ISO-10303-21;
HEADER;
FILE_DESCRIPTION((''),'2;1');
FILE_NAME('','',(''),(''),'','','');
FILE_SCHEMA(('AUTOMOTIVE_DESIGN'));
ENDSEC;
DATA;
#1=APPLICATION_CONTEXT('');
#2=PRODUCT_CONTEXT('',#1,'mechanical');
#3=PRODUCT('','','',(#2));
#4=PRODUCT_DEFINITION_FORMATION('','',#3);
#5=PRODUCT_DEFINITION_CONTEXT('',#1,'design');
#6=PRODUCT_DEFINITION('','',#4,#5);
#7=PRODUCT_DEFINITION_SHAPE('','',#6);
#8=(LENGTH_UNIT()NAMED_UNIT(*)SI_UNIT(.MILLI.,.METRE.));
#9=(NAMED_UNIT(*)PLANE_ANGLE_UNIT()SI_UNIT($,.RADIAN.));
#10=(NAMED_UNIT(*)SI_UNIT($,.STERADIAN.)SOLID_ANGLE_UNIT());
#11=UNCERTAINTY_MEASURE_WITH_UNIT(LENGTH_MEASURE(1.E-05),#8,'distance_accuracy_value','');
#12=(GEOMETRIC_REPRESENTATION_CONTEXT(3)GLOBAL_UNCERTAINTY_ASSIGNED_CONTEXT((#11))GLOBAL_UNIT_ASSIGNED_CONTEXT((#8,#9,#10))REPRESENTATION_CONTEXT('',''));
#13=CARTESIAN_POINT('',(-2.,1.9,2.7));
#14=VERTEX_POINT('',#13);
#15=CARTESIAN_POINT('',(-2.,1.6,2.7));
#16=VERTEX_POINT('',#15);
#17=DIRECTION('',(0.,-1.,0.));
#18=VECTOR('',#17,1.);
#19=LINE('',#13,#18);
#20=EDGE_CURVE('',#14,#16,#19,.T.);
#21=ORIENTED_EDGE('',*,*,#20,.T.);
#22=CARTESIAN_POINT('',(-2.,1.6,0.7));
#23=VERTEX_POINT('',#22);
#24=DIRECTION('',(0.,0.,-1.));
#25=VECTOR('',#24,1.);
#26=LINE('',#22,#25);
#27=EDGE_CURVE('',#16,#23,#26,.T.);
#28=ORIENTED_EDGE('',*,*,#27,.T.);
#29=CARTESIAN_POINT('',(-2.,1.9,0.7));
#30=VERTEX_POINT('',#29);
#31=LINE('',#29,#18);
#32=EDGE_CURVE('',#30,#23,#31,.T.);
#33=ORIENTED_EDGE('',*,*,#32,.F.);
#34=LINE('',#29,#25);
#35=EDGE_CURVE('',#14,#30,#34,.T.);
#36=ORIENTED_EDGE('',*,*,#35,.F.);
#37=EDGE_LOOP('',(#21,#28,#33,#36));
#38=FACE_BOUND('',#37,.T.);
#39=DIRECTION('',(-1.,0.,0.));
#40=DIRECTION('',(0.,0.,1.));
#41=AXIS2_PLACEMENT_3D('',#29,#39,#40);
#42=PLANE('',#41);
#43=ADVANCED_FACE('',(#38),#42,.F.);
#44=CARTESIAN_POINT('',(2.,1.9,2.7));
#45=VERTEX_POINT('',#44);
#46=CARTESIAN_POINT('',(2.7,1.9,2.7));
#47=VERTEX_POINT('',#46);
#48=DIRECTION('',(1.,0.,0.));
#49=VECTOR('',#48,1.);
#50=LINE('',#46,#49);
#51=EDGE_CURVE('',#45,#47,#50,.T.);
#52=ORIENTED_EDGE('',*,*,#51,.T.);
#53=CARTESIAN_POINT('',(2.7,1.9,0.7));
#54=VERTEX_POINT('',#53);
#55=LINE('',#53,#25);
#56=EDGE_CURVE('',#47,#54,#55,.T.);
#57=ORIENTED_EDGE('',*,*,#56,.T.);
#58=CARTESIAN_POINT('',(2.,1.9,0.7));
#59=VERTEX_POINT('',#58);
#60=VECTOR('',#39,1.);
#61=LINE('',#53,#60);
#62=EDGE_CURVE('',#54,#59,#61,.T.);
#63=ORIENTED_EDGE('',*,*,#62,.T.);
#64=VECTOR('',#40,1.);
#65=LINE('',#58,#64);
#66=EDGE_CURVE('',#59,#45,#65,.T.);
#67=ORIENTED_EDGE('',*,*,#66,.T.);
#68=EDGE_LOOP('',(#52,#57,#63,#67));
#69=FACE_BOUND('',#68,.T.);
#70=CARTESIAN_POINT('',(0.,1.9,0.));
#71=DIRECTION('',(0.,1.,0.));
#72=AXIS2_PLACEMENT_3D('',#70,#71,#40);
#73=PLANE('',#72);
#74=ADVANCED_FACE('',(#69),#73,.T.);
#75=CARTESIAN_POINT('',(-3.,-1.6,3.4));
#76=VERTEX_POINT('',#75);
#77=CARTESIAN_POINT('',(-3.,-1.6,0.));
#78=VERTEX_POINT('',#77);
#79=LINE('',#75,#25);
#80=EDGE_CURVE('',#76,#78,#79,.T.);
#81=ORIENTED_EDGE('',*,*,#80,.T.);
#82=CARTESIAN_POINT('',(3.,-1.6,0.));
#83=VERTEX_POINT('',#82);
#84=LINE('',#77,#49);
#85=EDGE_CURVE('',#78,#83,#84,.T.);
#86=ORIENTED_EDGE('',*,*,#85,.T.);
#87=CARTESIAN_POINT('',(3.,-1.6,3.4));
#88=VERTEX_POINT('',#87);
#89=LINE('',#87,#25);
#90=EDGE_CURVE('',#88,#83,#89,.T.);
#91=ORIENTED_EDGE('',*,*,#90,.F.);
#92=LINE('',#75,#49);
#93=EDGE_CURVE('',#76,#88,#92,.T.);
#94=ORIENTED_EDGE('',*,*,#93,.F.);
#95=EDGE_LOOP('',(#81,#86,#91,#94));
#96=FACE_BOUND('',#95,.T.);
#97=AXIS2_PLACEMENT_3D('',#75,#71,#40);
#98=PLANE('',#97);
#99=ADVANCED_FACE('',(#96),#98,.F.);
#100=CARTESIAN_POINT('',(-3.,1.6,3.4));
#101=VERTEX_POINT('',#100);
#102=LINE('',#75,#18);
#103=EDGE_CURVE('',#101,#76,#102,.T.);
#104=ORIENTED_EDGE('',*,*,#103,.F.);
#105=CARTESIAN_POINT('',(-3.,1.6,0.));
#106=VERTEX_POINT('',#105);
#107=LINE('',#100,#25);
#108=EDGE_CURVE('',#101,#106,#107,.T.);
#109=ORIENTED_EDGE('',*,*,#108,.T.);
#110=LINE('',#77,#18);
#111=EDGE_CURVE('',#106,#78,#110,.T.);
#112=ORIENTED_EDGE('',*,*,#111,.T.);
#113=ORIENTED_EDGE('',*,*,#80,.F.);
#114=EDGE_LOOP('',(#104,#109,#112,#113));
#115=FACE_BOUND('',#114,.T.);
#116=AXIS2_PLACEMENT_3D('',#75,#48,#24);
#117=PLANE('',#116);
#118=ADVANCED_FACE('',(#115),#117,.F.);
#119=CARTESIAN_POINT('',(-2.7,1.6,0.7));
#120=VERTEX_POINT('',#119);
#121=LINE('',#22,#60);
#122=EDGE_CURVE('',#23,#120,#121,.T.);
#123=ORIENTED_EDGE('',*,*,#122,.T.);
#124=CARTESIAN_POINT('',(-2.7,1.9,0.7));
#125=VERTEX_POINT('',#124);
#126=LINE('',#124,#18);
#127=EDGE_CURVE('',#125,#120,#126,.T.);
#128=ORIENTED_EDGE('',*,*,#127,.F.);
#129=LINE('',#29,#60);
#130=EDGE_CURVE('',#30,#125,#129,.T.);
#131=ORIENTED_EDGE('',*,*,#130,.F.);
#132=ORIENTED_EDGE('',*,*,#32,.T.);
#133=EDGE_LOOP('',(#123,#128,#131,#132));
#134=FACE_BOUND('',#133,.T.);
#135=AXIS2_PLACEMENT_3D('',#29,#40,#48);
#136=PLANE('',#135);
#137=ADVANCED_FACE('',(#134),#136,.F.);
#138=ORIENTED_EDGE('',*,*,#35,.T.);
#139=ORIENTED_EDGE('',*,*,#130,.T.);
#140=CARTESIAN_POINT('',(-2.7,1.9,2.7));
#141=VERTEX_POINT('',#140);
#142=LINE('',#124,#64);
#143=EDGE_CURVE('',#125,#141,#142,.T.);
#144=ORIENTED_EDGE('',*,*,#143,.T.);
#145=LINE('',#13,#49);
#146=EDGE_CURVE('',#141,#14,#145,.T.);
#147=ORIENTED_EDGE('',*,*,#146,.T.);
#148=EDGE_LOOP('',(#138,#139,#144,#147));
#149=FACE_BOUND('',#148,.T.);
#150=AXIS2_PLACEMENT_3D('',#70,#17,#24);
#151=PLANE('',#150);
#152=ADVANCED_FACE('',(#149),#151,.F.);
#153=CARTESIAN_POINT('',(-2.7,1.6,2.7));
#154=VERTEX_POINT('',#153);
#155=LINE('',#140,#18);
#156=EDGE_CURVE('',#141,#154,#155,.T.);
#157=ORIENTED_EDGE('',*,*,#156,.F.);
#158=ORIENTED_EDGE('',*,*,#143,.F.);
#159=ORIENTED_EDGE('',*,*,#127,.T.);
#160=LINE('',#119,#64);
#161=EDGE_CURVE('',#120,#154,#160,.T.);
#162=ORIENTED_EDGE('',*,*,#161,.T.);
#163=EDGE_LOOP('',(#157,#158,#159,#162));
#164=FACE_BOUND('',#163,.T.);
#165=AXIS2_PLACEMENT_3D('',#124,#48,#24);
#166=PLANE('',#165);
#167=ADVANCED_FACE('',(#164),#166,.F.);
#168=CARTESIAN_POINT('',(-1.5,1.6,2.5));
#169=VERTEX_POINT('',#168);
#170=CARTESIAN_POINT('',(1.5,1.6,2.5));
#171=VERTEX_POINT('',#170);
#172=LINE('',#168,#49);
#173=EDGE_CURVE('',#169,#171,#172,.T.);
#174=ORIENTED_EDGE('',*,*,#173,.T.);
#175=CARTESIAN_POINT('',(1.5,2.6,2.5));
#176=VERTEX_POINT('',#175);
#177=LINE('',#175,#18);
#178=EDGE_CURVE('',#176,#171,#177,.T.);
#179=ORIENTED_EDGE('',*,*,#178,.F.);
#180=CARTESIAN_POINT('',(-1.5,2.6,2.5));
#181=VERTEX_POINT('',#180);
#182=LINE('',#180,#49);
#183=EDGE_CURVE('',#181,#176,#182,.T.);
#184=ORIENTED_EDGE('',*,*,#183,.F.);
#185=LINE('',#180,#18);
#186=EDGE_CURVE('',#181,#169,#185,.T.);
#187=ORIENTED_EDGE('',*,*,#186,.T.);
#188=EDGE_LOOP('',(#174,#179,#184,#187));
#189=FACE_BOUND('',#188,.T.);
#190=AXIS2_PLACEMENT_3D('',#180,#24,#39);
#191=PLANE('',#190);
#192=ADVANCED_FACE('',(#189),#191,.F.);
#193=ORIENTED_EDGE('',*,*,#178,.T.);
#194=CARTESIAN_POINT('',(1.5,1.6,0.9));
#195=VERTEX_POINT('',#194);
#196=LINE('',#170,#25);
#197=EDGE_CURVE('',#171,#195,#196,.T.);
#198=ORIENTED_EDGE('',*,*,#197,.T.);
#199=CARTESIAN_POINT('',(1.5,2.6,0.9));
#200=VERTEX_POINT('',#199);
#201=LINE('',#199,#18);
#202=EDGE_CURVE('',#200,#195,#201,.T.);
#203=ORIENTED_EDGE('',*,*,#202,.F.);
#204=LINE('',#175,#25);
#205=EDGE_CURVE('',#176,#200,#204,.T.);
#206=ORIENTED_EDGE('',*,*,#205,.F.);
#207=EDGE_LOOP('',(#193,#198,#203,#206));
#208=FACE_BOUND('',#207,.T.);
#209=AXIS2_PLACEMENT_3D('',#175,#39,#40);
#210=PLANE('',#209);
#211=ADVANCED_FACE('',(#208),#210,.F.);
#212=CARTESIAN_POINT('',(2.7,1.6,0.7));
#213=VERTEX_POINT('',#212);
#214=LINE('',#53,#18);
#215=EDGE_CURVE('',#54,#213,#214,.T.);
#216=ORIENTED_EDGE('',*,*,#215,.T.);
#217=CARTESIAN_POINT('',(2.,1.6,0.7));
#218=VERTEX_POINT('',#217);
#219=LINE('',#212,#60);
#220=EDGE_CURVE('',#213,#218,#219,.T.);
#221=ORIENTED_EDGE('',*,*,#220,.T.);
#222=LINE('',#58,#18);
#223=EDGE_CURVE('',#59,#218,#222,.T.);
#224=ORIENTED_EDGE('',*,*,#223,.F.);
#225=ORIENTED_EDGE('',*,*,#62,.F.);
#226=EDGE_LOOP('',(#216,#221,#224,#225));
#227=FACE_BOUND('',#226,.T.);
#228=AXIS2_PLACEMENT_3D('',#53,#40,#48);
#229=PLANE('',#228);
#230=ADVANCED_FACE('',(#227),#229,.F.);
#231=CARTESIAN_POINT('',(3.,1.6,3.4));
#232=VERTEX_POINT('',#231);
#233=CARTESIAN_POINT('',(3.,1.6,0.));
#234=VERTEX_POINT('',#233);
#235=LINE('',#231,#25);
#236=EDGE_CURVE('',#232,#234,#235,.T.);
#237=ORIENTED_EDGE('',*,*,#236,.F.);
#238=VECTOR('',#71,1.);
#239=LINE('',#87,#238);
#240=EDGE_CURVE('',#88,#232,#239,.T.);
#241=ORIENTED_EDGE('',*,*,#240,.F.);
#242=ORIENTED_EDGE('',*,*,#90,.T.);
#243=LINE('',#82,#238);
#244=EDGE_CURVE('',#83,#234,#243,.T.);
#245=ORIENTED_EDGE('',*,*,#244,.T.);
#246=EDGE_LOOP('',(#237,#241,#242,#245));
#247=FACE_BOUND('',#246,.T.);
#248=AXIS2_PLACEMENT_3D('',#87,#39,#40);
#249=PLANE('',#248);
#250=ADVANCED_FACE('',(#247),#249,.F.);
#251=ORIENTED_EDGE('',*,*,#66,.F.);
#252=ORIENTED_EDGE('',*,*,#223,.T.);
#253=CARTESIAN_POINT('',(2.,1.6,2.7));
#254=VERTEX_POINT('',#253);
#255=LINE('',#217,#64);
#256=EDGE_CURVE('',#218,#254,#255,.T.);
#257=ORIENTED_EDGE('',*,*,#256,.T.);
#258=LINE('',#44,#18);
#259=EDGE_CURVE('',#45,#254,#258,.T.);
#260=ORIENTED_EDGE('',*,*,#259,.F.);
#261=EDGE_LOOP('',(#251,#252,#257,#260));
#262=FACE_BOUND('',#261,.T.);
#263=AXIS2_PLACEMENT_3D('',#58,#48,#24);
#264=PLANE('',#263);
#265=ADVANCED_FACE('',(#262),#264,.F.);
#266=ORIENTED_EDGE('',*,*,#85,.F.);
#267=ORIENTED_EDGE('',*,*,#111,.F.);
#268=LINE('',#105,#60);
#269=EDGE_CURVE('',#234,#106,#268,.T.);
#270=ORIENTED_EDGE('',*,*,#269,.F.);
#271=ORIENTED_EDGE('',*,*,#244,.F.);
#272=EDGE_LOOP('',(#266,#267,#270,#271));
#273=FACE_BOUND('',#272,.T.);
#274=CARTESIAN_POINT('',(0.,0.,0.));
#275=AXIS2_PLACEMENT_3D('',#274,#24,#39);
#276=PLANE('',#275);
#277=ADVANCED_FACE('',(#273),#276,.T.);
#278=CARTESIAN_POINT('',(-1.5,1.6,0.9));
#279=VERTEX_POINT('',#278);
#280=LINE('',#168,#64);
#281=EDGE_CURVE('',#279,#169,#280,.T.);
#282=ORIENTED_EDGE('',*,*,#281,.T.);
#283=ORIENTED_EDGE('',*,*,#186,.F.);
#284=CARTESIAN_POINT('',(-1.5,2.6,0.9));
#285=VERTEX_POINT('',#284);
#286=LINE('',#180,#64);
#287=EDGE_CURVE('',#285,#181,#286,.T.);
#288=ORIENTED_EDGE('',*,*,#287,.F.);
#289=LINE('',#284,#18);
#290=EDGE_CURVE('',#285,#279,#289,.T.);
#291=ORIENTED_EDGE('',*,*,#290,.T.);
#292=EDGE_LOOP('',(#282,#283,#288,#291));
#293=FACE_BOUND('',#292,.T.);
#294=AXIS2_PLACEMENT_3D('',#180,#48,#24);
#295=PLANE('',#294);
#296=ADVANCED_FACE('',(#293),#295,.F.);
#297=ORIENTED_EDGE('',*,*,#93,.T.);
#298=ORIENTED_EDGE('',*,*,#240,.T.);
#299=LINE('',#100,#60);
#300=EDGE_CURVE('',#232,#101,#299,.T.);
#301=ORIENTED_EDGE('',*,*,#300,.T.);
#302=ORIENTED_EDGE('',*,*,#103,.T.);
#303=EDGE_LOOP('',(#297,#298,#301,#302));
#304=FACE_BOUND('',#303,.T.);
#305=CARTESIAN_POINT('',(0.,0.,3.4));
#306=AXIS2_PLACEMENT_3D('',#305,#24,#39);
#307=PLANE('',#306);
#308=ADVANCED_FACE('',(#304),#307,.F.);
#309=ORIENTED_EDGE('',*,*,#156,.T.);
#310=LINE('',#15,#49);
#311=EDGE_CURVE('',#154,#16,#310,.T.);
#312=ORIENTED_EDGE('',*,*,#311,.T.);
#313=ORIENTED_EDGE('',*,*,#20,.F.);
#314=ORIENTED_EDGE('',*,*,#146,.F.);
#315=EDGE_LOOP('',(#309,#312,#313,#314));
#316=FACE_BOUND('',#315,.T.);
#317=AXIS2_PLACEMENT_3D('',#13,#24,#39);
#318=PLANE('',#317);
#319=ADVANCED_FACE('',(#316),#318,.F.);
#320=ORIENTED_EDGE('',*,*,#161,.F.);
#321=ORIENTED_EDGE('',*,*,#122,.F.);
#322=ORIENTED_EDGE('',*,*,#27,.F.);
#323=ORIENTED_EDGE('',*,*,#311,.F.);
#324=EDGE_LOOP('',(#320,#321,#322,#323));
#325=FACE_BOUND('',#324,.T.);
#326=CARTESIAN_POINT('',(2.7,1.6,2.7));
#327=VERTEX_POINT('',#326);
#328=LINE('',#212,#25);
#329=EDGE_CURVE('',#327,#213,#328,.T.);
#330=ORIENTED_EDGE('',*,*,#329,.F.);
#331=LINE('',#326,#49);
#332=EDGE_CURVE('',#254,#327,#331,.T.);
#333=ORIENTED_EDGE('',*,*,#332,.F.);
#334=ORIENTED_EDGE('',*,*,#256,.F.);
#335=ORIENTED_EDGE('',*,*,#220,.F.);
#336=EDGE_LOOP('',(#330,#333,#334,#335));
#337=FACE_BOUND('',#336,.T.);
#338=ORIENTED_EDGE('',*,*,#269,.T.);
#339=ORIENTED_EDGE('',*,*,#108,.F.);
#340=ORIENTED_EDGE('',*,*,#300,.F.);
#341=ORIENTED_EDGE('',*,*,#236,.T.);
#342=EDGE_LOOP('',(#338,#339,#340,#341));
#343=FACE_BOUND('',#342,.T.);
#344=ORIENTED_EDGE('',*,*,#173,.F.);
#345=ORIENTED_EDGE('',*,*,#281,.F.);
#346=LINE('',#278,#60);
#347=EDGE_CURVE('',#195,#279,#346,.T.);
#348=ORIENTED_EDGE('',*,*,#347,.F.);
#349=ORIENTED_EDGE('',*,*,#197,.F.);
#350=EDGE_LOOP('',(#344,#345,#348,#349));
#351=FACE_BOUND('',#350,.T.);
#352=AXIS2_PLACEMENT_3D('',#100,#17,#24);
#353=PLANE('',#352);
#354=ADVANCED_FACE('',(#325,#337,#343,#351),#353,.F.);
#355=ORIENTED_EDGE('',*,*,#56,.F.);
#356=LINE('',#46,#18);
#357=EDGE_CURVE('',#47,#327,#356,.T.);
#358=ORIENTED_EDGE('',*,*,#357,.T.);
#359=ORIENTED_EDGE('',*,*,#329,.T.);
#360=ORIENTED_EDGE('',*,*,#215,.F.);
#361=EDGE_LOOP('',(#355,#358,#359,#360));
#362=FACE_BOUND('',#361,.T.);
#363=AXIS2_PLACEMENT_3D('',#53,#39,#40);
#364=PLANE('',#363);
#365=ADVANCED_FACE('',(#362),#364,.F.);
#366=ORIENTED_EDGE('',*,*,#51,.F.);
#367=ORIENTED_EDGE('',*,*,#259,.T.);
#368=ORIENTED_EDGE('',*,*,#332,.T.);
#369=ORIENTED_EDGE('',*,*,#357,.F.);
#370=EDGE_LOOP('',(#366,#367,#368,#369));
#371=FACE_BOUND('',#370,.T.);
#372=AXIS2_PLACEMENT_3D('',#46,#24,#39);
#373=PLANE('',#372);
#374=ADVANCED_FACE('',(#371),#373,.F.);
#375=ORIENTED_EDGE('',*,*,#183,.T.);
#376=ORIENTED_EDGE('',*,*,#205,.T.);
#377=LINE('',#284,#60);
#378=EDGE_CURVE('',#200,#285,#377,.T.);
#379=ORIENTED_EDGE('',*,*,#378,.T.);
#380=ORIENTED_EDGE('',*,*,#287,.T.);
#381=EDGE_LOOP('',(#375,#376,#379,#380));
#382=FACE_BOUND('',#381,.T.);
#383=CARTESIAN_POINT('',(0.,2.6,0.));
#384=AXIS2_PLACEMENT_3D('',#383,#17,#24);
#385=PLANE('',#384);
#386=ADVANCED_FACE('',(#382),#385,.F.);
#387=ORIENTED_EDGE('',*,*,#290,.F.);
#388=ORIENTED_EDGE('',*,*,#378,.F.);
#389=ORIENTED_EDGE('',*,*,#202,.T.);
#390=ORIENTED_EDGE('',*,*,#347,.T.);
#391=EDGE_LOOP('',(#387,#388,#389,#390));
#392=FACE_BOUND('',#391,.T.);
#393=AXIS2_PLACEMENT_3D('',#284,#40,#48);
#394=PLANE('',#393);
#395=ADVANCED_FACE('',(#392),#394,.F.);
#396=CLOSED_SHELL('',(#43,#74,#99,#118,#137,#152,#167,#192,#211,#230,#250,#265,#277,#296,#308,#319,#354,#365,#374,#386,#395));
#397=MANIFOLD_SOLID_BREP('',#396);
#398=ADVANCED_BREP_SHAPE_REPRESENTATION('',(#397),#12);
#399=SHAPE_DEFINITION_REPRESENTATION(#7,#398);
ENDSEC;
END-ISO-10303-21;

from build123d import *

# Parameters (mm, degrees)
SKICA1_W                = 6
SKICA1_H                = 3.2
P_IDAT_VYSUNUT_M1_DEPTH = 3.4
SKICA2_W                = 3
SKICA2_H                = 1.6
P_IDAT_VYSUNUT_M2_DEPTH = 1
SKICA3_W                = 0.7
SKICA3_H                = 2
P_IDAT_VYSUNUT_M3_DEPTH = 0.3


with BuildPart() as part:
    # Skica1 → Přidat vysunutím1 (new body)
    with BuildSketch(Plane.XY):
        Rectangle(SKICA1_W, SKICA1_H)
    extrude(amount=P_IDAT_VYSUNUT_M1_DEPTH)

    # Skica2 → Přidat vysunutím2 (add)
    with BuildSketch(Plane(origin=(0, 1.6, 0), x_dir=(1, 0, 0), z_dir=(0, 1, 0))):
        with Locations((0, -1.7)):
            Rectangle(SKICA2_W, SKICA2_H)
    extrude(amount=P_IDAT_VYSUNUT_M2_DEPTH)

    # Skica3 → Přidat vysunutím3 (add)
    with BuildSketch(Plane(origin=(0, 1.6, 0), x_dir=(1, 0, 0), z_dir=(0, 1, 0))):
        with Locations((-2.35, -1.7)):
            Rectangle(SKICA3_W, SKICA3_H)
        with Locations((2.35, -1.7)):
            Rectangle(SKICA3_W, SKICA3_H)
    extrude(amount=P_IDAT_VYSUNUT_M3_DEPTH)


solid = part.part
